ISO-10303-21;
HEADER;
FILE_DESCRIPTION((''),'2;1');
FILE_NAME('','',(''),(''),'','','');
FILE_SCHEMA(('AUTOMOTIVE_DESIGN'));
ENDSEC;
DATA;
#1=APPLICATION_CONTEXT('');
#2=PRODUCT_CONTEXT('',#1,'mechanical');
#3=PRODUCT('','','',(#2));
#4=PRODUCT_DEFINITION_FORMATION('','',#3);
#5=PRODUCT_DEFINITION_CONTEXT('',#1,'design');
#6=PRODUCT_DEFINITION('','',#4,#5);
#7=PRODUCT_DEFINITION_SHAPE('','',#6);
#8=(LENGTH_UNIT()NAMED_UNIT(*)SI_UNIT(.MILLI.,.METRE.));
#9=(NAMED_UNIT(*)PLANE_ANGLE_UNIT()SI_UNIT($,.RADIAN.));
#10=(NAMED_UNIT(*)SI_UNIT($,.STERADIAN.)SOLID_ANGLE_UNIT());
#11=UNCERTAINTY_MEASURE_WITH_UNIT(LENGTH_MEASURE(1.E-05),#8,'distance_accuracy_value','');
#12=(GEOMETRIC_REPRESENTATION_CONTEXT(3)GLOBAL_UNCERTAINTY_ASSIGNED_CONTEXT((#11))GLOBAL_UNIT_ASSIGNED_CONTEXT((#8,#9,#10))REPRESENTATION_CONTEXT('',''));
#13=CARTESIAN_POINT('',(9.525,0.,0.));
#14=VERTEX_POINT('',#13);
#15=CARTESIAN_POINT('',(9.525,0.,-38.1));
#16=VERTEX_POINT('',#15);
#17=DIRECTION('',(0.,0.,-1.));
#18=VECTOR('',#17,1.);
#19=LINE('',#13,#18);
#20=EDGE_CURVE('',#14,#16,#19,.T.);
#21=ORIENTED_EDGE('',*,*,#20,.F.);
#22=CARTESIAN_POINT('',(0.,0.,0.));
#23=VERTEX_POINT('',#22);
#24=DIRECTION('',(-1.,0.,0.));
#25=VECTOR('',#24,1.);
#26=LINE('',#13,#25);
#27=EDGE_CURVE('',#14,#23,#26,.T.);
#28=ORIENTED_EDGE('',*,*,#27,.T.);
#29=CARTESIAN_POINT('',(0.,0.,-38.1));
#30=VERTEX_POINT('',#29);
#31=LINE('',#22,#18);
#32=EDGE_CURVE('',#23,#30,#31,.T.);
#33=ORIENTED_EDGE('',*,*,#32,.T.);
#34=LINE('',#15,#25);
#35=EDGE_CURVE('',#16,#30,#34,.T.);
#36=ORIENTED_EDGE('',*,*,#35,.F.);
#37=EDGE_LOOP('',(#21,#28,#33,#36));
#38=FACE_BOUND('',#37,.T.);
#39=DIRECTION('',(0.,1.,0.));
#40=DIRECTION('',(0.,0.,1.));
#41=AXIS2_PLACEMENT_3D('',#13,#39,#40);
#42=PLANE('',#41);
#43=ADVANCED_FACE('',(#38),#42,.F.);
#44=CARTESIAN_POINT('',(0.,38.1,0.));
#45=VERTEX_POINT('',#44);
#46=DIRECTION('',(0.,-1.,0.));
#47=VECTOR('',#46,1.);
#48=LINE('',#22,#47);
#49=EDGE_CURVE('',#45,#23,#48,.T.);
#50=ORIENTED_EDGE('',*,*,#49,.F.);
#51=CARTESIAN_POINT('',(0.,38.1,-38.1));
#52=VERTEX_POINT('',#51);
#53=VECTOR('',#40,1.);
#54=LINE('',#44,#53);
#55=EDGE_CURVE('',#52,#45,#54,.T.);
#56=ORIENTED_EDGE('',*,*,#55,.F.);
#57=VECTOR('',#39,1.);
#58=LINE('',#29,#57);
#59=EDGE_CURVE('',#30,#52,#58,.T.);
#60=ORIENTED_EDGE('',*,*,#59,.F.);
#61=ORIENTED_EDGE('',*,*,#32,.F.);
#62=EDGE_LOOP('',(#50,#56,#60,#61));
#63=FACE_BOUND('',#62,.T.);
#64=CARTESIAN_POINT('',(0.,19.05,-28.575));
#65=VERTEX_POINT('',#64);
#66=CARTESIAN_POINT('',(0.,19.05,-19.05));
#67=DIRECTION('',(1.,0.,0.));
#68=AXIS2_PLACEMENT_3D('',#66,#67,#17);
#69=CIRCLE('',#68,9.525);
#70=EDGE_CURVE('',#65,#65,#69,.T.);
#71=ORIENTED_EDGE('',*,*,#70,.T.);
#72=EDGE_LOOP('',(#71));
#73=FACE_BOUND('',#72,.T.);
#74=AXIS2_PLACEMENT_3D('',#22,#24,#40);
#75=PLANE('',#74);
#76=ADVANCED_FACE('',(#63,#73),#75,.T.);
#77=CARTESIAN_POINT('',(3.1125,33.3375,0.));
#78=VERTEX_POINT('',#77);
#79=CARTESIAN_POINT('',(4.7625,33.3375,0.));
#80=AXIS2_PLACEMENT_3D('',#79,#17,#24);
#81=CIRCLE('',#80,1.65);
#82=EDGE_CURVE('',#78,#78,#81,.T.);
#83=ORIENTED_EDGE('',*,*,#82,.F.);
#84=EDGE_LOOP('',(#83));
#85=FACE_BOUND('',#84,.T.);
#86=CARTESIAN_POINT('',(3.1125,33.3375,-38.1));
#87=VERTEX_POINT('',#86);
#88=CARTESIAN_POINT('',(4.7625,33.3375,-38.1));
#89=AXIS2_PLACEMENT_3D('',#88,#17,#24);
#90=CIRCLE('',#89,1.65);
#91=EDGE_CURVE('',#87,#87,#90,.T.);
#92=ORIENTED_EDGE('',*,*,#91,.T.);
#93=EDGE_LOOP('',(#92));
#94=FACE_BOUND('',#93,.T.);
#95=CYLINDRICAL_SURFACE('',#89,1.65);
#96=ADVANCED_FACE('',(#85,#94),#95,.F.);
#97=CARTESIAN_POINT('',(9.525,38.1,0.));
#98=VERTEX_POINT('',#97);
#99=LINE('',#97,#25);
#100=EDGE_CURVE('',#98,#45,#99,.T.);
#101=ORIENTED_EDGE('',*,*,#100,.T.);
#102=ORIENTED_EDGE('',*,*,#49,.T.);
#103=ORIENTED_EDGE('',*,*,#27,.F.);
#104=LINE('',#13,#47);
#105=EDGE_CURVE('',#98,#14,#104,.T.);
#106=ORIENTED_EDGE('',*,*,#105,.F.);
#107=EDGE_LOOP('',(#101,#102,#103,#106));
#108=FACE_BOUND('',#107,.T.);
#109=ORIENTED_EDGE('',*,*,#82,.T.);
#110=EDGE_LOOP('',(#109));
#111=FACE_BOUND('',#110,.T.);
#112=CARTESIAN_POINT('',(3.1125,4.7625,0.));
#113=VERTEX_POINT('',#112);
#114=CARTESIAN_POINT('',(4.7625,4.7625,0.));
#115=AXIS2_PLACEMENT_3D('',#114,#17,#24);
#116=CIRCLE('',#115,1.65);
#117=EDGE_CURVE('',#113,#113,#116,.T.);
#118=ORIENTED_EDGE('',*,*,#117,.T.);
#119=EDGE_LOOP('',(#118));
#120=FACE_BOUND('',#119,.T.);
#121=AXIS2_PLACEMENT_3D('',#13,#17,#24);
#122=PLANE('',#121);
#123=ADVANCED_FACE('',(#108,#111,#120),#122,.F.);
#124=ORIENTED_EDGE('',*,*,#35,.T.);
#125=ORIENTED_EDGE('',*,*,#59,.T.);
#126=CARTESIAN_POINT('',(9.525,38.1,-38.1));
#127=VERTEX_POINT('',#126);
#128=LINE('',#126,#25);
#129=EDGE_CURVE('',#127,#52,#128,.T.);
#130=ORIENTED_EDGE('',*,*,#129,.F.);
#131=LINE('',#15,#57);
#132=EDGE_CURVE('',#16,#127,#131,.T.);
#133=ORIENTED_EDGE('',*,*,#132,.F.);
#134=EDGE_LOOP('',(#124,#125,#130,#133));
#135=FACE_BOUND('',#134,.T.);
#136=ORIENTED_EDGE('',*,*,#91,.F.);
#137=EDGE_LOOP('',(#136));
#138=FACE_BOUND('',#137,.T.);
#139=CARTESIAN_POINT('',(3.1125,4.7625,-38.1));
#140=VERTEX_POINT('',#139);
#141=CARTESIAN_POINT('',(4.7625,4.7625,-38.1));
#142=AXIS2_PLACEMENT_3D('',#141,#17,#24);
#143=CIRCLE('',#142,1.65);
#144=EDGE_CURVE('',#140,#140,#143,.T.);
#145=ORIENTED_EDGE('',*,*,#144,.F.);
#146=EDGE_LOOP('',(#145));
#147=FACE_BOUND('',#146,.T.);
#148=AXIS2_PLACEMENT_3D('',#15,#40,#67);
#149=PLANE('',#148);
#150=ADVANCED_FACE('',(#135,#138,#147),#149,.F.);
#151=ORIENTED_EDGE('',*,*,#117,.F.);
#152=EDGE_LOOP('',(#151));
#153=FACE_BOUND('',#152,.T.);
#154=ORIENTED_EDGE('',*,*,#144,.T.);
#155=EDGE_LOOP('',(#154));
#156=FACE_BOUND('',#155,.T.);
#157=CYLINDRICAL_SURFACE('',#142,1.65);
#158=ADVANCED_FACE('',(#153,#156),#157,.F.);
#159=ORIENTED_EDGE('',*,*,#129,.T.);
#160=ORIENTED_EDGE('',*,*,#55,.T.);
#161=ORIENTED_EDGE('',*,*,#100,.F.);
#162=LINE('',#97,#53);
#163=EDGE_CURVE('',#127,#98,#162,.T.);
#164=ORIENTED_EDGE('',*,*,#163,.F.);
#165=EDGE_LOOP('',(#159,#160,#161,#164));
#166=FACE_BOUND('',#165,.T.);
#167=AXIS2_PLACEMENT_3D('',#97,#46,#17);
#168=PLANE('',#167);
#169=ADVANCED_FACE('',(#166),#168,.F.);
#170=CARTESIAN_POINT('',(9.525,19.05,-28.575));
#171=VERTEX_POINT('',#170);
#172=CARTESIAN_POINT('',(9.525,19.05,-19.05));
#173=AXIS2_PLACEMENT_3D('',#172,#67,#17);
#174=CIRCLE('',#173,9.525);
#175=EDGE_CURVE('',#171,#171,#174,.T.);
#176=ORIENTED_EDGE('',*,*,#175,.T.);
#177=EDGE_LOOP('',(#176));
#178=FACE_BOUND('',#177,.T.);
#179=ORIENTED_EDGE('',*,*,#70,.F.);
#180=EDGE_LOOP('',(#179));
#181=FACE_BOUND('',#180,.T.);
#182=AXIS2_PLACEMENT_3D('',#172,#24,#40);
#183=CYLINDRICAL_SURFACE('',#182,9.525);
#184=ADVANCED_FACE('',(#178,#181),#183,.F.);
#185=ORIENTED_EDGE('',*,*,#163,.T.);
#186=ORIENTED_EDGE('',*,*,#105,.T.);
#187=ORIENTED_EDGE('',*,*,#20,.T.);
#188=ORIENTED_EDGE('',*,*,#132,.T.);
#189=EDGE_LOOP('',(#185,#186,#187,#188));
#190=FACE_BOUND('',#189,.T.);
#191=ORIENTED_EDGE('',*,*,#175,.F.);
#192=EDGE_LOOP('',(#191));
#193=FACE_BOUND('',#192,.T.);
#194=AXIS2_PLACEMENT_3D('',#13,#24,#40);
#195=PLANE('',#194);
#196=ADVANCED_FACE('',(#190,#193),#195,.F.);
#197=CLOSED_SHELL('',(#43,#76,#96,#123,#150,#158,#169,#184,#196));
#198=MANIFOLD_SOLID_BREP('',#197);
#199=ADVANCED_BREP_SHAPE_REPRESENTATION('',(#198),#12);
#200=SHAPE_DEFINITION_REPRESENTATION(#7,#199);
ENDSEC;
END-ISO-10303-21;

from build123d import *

# Parameters (mm, degrees)
SKETCH2_W             = 38.1
SKETCH2_H             = 38.1
SKETCH2_R             = 9.525
BOSS_EXTRUDE1_DEPTH   = 9.525
M4X0_7_TAPPED_HOLE1_D = 3.3


with BuildPart() as part:
    # Sketch2 → Boss-Extrude1 (new body)
    with BuildSketch(Plane(origin=(0, 0, 0), x_dir=(0, 0, -1), z_dir=(1, 0, 0))):
        with Locations((19.05, 19.05)):
            Rectangle(SKETCH2_W, SKETCH2_H)
        with Locations((19.05, 19.05)):
            Circle(SKETCH2_R, mode=Mode.SUBTRACT)
    extrude(amount=BOSS_EXTRUDE1_DEPTH)

    # M4x0.7 Tapped Hole1 (through all)
    with Locations(Plane(origin=(0, 0, -38.1), x_dir=(-1, 0, 0), z_dir=(0, 0, -1))):
        with Locations((-4.7625, 33.3375), (-4.7625, 4.7625)):
            Hole(M4X0_7_TAPPED_HOLE1_D / 2)


solid = part.part
